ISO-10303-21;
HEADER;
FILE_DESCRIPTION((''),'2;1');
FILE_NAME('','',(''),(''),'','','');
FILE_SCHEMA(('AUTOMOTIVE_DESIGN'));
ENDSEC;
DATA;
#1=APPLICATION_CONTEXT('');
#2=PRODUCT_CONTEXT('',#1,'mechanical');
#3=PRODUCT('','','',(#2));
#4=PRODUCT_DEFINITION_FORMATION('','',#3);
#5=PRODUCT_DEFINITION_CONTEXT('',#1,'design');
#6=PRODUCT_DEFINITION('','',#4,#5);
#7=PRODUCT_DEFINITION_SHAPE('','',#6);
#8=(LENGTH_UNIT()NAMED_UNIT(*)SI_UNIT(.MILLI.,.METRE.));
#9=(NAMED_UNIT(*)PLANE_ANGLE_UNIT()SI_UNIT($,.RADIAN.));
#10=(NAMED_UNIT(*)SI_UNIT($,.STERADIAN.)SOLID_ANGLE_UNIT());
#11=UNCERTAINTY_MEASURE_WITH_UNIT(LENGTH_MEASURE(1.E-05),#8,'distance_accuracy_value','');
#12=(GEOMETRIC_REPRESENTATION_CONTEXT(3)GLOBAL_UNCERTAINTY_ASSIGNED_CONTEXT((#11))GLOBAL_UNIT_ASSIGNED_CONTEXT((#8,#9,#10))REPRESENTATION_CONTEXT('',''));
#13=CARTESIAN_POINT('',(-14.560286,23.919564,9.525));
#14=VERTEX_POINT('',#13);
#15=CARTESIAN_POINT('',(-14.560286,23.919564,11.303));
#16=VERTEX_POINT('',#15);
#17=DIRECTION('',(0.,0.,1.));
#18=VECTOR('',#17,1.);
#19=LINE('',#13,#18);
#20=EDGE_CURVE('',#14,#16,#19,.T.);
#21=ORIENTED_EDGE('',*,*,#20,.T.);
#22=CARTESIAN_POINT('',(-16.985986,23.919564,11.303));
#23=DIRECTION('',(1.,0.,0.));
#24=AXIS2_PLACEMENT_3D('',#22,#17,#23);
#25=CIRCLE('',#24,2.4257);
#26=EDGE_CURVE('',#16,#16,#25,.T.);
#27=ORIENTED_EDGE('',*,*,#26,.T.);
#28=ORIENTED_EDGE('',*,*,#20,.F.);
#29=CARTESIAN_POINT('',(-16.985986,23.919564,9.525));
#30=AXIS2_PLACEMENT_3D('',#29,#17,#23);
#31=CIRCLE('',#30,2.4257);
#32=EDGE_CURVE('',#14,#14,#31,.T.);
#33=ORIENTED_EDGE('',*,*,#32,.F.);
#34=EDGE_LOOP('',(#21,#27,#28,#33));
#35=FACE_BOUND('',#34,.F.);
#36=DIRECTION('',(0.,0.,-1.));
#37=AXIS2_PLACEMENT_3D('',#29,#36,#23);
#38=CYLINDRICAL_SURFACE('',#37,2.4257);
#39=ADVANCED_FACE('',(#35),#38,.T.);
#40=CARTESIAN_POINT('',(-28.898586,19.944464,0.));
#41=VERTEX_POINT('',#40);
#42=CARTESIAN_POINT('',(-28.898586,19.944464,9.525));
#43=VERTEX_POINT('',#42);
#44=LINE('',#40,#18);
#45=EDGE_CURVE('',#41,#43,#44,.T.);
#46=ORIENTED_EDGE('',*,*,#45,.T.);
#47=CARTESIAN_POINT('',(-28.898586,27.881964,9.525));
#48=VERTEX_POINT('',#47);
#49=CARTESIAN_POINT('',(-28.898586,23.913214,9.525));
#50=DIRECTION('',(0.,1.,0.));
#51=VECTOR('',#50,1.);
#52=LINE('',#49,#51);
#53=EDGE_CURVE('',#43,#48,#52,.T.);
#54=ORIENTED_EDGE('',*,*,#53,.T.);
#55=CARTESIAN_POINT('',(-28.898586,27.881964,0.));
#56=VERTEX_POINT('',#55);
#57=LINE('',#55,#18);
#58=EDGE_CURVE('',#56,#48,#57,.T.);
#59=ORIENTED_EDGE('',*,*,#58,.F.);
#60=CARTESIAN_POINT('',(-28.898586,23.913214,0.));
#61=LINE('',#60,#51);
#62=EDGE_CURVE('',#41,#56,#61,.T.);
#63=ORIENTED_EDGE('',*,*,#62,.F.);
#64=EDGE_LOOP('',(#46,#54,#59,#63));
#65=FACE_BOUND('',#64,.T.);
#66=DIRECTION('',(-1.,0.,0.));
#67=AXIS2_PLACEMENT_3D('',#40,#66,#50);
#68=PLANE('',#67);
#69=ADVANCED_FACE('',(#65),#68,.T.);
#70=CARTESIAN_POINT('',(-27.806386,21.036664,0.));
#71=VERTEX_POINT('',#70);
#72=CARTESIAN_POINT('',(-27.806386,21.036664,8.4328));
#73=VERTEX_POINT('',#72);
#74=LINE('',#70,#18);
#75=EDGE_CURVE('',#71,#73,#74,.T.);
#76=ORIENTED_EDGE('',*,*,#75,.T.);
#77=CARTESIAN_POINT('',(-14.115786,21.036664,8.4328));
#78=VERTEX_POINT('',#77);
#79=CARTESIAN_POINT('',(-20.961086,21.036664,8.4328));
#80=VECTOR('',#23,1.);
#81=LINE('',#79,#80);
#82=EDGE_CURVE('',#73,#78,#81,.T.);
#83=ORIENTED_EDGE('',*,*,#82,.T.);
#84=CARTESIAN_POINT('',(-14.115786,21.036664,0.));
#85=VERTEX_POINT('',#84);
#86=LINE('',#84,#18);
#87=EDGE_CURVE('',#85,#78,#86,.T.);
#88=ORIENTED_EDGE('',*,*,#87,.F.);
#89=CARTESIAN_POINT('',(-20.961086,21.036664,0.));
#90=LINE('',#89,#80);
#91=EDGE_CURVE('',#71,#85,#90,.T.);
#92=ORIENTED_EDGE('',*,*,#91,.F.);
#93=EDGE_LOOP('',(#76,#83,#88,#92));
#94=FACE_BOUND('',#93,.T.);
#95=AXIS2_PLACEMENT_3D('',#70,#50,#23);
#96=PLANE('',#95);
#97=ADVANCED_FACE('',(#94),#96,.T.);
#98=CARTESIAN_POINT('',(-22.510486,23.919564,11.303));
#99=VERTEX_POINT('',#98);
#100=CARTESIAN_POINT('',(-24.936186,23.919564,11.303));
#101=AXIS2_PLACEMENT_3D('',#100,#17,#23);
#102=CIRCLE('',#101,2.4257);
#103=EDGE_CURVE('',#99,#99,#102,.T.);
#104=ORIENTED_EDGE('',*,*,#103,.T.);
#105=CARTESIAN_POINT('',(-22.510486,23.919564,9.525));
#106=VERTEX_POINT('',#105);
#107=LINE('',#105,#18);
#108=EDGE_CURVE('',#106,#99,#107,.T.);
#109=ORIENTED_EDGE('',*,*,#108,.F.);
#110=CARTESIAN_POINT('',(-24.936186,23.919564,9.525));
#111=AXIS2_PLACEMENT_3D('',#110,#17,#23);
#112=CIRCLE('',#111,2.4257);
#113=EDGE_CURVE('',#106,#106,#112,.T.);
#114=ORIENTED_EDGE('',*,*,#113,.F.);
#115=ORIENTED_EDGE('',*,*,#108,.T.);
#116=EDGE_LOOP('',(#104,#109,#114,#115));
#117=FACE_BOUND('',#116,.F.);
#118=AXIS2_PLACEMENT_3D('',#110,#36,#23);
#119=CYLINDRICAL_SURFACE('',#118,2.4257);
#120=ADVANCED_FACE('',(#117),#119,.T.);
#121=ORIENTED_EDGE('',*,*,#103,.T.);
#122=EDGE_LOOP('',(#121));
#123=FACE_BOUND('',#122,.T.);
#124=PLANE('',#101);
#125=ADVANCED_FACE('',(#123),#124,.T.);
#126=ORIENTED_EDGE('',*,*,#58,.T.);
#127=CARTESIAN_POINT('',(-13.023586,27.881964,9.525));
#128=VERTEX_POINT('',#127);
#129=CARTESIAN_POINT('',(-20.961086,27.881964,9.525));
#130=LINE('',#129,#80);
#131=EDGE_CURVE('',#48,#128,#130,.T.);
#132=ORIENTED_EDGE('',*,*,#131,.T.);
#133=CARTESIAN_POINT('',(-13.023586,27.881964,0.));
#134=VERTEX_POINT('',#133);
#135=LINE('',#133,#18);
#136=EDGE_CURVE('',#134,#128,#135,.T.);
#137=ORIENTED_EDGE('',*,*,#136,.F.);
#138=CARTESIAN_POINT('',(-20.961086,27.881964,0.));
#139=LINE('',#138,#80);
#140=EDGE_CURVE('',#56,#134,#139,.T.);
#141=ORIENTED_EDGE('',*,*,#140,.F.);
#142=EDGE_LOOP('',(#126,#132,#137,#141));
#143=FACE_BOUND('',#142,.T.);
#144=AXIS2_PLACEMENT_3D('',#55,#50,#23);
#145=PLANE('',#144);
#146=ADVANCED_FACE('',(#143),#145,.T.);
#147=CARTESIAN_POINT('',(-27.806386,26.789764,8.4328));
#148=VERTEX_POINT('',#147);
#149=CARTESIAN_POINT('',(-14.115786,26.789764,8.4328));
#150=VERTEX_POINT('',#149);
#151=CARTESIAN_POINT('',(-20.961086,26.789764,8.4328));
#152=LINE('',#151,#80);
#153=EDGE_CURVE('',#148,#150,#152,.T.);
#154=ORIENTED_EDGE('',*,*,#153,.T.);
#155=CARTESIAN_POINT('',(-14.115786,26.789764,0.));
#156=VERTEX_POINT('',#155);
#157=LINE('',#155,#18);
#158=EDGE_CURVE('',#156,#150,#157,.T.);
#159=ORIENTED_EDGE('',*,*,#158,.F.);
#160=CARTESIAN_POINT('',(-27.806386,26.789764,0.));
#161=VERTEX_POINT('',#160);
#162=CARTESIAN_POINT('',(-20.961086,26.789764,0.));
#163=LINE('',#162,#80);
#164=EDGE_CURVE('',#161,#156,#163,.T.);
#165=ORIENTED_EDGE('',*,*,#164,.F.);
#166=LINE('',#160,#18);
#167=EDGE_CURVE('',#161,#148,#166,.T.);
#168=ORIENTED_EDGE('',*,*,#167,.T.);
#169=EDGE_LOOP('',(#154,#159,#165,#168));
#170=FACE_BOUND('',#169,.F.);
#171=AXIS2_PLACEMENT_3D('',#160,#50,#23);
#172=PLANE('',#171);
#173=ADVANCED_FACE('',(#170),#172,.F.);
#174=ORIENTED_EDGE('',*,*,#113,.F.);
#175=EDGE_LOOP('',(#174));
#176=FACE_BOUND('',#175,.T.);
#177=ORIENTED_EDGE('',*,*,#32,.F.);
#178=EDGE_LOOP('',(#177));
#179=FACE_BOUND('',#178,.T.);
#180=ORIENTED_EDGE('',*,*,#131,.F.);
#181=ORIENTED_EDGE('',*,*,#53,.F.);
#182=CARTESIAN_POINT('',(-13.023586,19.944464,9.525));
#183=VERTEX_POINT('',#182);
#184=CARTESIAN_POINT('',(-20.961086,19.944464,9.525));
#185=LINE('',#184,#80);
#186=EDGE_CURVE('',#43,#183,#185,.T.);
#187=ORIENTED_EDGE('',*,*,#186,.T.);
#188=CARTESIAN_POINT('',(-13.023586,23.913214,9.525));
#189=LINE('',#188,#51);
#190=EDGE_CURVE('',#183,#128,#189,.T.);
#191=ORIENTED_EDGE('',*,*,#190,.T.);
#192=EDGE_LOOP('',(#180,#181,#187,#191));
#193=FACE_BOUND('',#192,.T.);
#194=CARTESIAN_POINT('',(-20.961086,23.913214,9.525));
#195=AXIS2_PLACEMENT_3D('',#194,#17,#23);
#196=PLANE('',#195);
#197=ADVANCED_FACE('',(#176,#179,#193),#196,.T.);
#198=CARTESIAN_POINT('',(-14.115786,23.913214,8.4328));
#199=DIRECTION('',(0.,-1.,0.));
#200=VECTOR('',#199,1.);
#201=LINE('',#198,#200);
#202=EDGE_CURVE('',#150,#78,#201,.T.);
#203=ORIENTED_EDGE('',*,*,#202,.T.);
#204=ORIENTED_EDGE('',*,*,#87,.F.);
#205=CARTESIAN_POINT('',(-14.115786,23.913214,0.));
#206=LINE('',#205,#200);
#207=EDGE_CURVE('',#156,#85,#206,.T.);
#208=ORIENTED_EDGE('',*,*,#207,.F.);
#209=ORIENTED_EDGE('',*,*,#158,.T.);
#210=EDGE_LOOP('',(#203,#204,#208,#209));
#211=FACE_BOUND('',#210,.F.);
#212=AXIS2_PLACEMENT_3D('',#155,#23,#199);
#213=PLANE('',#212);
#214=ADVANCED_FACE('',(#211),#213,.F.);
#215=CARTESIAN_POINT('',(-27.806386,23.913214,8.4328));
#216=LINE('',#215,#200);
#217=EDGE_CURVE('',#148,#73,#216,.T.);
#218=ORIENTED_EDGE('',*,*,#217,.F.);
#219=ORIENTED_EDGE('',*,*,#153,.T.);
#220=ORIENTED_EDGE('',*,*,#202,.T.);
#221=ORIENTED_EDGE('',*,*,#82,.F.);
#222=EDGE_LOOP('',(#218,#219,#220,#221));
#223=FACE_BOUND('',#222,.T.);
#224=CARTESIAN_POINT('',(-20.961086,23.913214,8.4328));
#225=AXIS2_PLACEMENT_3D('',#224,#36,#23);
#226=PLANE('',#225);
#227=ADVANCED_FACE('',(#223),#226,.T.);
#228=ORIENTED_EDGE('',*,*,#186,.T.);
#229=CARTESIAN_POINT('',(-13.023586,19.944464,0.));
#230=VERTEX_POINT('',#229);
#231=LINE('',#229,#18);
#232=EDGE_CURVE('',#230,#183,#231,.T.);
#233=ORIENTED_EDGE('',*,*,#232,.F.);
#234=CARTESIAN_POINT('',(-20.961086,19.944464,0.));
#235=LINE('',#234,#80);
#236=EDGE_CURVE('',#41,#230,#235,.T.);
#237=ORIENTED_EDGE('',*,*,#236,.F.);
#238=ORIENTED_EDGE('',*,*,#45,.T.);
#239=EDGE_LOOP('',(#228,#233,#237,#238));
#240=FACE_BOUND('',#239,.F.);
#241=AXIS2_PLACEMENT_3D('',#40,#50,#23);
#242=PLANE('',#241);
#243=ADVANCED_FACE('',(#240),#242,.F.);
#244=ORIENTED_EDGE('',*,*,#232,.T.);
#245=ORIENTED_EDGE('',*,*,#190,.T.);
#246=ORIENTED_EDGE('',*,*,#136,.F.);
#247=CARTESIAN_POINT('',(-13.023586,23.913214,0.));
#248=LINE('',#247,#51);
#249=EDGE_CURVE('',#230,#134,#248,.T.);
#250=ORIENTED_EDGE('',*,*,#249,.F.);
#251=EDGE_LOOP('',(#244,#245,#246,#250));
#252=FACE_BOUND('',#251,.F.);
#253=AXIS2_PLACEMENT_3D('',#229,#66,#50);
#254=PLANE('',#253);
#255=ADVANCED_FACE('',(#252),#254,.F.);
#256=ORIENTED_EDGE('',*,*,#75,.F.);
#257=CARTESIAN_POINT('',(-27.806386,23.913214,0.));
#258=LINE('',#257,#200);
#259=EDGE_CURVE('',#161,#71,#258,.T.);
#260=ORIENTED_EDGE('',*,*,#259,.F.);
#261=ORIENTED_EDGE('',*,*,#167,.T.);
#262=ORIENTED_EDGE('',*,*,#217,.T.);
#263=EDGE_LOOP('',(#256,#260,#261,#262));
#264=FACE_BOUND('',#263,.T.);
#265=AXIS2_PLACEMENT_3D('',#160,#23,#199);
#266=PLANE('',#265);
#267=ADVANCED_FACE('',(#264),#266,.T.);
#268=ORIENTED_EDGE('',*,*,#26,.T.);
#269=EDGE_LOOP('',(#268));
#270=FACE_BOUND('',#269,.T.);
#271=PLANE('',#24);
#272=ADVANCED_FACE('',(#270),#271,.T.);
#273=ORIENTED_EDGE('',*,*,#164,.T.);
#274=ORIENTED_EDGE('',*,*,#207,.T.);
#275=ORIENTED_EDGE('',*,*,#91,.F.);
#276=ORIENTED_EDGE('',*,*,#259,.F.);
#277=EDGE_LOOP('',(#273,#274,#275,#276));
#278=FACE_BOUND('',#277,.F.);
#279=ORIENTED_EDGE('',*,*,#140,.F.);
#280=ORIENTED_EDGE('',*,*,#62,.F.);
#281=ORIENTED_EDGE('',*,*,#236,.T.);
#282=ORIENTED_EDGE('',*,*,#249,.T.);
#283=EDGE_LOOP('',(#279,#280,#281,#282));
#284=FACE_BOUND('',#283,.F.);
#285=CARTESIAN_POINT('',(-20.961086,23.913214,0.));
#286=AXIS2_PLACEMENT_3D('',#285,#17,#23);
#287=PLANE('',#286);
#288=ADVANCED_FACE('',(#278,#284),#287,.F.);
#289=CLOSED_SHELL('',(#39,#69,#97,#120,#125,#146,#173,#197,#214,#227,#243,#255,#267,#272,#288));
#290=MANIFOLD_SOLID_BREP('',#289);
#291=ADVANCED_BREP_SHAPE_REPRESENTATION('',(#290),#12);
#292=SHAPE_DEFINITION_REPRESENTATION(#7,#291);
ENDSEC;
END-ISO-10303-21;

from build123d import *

# Parameters (mm, degrees)
F0_W     = 15.875
F0_H     = 7.9375
F1_DEPTH = 9.525
F2_R     = 2.4257
F4_DEPTH = 1.778
F3_R     = 2.4257
F5_DEPTH = 1.778
F6_W     = 13.6906
F6_H     = 5.7531
F7_DEPTH = 8.4328


with BuildPart() as f1:
    # F0 (on Top) → F1 (new body)
    with BuildSketch(Plane.XY):
        with Locations((-20.961086, 23.913214)):
            Rectangle(F0_W, F0_H)
    extrude(amount=F1_DEPTH)

    # F2 (on face) → F4 (join)
    with BuildSketch(Plane.XY.offset(9.525)):
        with Locations((-24.936186, 23.919564)):
            Circle(F2_R)
    extrude(amount=F4_DEPTH)

    # F3 (on face) → F5 (join)
    with BuildSketch(Plane.XY.offset(9.525)):
        with Locations((-16.985986, 23.919564)):
            Circle(F3_R)
    extrude(amount=F5_DEPTH)

    # F6 (on face) → F7 (cut)
    with BuildSketch(Plane(origin=(0, 0, 0), x_dir=(1, 0, 0), z_dir=(0, 0, -1))):
        with Locations((-20.961086, -23.913214)):
            Rectangle(F6_W, F6_H)
    extrude(amount=-F7_DEPTH, mode=Mode.SUBTRACT)


solid = f1.part
